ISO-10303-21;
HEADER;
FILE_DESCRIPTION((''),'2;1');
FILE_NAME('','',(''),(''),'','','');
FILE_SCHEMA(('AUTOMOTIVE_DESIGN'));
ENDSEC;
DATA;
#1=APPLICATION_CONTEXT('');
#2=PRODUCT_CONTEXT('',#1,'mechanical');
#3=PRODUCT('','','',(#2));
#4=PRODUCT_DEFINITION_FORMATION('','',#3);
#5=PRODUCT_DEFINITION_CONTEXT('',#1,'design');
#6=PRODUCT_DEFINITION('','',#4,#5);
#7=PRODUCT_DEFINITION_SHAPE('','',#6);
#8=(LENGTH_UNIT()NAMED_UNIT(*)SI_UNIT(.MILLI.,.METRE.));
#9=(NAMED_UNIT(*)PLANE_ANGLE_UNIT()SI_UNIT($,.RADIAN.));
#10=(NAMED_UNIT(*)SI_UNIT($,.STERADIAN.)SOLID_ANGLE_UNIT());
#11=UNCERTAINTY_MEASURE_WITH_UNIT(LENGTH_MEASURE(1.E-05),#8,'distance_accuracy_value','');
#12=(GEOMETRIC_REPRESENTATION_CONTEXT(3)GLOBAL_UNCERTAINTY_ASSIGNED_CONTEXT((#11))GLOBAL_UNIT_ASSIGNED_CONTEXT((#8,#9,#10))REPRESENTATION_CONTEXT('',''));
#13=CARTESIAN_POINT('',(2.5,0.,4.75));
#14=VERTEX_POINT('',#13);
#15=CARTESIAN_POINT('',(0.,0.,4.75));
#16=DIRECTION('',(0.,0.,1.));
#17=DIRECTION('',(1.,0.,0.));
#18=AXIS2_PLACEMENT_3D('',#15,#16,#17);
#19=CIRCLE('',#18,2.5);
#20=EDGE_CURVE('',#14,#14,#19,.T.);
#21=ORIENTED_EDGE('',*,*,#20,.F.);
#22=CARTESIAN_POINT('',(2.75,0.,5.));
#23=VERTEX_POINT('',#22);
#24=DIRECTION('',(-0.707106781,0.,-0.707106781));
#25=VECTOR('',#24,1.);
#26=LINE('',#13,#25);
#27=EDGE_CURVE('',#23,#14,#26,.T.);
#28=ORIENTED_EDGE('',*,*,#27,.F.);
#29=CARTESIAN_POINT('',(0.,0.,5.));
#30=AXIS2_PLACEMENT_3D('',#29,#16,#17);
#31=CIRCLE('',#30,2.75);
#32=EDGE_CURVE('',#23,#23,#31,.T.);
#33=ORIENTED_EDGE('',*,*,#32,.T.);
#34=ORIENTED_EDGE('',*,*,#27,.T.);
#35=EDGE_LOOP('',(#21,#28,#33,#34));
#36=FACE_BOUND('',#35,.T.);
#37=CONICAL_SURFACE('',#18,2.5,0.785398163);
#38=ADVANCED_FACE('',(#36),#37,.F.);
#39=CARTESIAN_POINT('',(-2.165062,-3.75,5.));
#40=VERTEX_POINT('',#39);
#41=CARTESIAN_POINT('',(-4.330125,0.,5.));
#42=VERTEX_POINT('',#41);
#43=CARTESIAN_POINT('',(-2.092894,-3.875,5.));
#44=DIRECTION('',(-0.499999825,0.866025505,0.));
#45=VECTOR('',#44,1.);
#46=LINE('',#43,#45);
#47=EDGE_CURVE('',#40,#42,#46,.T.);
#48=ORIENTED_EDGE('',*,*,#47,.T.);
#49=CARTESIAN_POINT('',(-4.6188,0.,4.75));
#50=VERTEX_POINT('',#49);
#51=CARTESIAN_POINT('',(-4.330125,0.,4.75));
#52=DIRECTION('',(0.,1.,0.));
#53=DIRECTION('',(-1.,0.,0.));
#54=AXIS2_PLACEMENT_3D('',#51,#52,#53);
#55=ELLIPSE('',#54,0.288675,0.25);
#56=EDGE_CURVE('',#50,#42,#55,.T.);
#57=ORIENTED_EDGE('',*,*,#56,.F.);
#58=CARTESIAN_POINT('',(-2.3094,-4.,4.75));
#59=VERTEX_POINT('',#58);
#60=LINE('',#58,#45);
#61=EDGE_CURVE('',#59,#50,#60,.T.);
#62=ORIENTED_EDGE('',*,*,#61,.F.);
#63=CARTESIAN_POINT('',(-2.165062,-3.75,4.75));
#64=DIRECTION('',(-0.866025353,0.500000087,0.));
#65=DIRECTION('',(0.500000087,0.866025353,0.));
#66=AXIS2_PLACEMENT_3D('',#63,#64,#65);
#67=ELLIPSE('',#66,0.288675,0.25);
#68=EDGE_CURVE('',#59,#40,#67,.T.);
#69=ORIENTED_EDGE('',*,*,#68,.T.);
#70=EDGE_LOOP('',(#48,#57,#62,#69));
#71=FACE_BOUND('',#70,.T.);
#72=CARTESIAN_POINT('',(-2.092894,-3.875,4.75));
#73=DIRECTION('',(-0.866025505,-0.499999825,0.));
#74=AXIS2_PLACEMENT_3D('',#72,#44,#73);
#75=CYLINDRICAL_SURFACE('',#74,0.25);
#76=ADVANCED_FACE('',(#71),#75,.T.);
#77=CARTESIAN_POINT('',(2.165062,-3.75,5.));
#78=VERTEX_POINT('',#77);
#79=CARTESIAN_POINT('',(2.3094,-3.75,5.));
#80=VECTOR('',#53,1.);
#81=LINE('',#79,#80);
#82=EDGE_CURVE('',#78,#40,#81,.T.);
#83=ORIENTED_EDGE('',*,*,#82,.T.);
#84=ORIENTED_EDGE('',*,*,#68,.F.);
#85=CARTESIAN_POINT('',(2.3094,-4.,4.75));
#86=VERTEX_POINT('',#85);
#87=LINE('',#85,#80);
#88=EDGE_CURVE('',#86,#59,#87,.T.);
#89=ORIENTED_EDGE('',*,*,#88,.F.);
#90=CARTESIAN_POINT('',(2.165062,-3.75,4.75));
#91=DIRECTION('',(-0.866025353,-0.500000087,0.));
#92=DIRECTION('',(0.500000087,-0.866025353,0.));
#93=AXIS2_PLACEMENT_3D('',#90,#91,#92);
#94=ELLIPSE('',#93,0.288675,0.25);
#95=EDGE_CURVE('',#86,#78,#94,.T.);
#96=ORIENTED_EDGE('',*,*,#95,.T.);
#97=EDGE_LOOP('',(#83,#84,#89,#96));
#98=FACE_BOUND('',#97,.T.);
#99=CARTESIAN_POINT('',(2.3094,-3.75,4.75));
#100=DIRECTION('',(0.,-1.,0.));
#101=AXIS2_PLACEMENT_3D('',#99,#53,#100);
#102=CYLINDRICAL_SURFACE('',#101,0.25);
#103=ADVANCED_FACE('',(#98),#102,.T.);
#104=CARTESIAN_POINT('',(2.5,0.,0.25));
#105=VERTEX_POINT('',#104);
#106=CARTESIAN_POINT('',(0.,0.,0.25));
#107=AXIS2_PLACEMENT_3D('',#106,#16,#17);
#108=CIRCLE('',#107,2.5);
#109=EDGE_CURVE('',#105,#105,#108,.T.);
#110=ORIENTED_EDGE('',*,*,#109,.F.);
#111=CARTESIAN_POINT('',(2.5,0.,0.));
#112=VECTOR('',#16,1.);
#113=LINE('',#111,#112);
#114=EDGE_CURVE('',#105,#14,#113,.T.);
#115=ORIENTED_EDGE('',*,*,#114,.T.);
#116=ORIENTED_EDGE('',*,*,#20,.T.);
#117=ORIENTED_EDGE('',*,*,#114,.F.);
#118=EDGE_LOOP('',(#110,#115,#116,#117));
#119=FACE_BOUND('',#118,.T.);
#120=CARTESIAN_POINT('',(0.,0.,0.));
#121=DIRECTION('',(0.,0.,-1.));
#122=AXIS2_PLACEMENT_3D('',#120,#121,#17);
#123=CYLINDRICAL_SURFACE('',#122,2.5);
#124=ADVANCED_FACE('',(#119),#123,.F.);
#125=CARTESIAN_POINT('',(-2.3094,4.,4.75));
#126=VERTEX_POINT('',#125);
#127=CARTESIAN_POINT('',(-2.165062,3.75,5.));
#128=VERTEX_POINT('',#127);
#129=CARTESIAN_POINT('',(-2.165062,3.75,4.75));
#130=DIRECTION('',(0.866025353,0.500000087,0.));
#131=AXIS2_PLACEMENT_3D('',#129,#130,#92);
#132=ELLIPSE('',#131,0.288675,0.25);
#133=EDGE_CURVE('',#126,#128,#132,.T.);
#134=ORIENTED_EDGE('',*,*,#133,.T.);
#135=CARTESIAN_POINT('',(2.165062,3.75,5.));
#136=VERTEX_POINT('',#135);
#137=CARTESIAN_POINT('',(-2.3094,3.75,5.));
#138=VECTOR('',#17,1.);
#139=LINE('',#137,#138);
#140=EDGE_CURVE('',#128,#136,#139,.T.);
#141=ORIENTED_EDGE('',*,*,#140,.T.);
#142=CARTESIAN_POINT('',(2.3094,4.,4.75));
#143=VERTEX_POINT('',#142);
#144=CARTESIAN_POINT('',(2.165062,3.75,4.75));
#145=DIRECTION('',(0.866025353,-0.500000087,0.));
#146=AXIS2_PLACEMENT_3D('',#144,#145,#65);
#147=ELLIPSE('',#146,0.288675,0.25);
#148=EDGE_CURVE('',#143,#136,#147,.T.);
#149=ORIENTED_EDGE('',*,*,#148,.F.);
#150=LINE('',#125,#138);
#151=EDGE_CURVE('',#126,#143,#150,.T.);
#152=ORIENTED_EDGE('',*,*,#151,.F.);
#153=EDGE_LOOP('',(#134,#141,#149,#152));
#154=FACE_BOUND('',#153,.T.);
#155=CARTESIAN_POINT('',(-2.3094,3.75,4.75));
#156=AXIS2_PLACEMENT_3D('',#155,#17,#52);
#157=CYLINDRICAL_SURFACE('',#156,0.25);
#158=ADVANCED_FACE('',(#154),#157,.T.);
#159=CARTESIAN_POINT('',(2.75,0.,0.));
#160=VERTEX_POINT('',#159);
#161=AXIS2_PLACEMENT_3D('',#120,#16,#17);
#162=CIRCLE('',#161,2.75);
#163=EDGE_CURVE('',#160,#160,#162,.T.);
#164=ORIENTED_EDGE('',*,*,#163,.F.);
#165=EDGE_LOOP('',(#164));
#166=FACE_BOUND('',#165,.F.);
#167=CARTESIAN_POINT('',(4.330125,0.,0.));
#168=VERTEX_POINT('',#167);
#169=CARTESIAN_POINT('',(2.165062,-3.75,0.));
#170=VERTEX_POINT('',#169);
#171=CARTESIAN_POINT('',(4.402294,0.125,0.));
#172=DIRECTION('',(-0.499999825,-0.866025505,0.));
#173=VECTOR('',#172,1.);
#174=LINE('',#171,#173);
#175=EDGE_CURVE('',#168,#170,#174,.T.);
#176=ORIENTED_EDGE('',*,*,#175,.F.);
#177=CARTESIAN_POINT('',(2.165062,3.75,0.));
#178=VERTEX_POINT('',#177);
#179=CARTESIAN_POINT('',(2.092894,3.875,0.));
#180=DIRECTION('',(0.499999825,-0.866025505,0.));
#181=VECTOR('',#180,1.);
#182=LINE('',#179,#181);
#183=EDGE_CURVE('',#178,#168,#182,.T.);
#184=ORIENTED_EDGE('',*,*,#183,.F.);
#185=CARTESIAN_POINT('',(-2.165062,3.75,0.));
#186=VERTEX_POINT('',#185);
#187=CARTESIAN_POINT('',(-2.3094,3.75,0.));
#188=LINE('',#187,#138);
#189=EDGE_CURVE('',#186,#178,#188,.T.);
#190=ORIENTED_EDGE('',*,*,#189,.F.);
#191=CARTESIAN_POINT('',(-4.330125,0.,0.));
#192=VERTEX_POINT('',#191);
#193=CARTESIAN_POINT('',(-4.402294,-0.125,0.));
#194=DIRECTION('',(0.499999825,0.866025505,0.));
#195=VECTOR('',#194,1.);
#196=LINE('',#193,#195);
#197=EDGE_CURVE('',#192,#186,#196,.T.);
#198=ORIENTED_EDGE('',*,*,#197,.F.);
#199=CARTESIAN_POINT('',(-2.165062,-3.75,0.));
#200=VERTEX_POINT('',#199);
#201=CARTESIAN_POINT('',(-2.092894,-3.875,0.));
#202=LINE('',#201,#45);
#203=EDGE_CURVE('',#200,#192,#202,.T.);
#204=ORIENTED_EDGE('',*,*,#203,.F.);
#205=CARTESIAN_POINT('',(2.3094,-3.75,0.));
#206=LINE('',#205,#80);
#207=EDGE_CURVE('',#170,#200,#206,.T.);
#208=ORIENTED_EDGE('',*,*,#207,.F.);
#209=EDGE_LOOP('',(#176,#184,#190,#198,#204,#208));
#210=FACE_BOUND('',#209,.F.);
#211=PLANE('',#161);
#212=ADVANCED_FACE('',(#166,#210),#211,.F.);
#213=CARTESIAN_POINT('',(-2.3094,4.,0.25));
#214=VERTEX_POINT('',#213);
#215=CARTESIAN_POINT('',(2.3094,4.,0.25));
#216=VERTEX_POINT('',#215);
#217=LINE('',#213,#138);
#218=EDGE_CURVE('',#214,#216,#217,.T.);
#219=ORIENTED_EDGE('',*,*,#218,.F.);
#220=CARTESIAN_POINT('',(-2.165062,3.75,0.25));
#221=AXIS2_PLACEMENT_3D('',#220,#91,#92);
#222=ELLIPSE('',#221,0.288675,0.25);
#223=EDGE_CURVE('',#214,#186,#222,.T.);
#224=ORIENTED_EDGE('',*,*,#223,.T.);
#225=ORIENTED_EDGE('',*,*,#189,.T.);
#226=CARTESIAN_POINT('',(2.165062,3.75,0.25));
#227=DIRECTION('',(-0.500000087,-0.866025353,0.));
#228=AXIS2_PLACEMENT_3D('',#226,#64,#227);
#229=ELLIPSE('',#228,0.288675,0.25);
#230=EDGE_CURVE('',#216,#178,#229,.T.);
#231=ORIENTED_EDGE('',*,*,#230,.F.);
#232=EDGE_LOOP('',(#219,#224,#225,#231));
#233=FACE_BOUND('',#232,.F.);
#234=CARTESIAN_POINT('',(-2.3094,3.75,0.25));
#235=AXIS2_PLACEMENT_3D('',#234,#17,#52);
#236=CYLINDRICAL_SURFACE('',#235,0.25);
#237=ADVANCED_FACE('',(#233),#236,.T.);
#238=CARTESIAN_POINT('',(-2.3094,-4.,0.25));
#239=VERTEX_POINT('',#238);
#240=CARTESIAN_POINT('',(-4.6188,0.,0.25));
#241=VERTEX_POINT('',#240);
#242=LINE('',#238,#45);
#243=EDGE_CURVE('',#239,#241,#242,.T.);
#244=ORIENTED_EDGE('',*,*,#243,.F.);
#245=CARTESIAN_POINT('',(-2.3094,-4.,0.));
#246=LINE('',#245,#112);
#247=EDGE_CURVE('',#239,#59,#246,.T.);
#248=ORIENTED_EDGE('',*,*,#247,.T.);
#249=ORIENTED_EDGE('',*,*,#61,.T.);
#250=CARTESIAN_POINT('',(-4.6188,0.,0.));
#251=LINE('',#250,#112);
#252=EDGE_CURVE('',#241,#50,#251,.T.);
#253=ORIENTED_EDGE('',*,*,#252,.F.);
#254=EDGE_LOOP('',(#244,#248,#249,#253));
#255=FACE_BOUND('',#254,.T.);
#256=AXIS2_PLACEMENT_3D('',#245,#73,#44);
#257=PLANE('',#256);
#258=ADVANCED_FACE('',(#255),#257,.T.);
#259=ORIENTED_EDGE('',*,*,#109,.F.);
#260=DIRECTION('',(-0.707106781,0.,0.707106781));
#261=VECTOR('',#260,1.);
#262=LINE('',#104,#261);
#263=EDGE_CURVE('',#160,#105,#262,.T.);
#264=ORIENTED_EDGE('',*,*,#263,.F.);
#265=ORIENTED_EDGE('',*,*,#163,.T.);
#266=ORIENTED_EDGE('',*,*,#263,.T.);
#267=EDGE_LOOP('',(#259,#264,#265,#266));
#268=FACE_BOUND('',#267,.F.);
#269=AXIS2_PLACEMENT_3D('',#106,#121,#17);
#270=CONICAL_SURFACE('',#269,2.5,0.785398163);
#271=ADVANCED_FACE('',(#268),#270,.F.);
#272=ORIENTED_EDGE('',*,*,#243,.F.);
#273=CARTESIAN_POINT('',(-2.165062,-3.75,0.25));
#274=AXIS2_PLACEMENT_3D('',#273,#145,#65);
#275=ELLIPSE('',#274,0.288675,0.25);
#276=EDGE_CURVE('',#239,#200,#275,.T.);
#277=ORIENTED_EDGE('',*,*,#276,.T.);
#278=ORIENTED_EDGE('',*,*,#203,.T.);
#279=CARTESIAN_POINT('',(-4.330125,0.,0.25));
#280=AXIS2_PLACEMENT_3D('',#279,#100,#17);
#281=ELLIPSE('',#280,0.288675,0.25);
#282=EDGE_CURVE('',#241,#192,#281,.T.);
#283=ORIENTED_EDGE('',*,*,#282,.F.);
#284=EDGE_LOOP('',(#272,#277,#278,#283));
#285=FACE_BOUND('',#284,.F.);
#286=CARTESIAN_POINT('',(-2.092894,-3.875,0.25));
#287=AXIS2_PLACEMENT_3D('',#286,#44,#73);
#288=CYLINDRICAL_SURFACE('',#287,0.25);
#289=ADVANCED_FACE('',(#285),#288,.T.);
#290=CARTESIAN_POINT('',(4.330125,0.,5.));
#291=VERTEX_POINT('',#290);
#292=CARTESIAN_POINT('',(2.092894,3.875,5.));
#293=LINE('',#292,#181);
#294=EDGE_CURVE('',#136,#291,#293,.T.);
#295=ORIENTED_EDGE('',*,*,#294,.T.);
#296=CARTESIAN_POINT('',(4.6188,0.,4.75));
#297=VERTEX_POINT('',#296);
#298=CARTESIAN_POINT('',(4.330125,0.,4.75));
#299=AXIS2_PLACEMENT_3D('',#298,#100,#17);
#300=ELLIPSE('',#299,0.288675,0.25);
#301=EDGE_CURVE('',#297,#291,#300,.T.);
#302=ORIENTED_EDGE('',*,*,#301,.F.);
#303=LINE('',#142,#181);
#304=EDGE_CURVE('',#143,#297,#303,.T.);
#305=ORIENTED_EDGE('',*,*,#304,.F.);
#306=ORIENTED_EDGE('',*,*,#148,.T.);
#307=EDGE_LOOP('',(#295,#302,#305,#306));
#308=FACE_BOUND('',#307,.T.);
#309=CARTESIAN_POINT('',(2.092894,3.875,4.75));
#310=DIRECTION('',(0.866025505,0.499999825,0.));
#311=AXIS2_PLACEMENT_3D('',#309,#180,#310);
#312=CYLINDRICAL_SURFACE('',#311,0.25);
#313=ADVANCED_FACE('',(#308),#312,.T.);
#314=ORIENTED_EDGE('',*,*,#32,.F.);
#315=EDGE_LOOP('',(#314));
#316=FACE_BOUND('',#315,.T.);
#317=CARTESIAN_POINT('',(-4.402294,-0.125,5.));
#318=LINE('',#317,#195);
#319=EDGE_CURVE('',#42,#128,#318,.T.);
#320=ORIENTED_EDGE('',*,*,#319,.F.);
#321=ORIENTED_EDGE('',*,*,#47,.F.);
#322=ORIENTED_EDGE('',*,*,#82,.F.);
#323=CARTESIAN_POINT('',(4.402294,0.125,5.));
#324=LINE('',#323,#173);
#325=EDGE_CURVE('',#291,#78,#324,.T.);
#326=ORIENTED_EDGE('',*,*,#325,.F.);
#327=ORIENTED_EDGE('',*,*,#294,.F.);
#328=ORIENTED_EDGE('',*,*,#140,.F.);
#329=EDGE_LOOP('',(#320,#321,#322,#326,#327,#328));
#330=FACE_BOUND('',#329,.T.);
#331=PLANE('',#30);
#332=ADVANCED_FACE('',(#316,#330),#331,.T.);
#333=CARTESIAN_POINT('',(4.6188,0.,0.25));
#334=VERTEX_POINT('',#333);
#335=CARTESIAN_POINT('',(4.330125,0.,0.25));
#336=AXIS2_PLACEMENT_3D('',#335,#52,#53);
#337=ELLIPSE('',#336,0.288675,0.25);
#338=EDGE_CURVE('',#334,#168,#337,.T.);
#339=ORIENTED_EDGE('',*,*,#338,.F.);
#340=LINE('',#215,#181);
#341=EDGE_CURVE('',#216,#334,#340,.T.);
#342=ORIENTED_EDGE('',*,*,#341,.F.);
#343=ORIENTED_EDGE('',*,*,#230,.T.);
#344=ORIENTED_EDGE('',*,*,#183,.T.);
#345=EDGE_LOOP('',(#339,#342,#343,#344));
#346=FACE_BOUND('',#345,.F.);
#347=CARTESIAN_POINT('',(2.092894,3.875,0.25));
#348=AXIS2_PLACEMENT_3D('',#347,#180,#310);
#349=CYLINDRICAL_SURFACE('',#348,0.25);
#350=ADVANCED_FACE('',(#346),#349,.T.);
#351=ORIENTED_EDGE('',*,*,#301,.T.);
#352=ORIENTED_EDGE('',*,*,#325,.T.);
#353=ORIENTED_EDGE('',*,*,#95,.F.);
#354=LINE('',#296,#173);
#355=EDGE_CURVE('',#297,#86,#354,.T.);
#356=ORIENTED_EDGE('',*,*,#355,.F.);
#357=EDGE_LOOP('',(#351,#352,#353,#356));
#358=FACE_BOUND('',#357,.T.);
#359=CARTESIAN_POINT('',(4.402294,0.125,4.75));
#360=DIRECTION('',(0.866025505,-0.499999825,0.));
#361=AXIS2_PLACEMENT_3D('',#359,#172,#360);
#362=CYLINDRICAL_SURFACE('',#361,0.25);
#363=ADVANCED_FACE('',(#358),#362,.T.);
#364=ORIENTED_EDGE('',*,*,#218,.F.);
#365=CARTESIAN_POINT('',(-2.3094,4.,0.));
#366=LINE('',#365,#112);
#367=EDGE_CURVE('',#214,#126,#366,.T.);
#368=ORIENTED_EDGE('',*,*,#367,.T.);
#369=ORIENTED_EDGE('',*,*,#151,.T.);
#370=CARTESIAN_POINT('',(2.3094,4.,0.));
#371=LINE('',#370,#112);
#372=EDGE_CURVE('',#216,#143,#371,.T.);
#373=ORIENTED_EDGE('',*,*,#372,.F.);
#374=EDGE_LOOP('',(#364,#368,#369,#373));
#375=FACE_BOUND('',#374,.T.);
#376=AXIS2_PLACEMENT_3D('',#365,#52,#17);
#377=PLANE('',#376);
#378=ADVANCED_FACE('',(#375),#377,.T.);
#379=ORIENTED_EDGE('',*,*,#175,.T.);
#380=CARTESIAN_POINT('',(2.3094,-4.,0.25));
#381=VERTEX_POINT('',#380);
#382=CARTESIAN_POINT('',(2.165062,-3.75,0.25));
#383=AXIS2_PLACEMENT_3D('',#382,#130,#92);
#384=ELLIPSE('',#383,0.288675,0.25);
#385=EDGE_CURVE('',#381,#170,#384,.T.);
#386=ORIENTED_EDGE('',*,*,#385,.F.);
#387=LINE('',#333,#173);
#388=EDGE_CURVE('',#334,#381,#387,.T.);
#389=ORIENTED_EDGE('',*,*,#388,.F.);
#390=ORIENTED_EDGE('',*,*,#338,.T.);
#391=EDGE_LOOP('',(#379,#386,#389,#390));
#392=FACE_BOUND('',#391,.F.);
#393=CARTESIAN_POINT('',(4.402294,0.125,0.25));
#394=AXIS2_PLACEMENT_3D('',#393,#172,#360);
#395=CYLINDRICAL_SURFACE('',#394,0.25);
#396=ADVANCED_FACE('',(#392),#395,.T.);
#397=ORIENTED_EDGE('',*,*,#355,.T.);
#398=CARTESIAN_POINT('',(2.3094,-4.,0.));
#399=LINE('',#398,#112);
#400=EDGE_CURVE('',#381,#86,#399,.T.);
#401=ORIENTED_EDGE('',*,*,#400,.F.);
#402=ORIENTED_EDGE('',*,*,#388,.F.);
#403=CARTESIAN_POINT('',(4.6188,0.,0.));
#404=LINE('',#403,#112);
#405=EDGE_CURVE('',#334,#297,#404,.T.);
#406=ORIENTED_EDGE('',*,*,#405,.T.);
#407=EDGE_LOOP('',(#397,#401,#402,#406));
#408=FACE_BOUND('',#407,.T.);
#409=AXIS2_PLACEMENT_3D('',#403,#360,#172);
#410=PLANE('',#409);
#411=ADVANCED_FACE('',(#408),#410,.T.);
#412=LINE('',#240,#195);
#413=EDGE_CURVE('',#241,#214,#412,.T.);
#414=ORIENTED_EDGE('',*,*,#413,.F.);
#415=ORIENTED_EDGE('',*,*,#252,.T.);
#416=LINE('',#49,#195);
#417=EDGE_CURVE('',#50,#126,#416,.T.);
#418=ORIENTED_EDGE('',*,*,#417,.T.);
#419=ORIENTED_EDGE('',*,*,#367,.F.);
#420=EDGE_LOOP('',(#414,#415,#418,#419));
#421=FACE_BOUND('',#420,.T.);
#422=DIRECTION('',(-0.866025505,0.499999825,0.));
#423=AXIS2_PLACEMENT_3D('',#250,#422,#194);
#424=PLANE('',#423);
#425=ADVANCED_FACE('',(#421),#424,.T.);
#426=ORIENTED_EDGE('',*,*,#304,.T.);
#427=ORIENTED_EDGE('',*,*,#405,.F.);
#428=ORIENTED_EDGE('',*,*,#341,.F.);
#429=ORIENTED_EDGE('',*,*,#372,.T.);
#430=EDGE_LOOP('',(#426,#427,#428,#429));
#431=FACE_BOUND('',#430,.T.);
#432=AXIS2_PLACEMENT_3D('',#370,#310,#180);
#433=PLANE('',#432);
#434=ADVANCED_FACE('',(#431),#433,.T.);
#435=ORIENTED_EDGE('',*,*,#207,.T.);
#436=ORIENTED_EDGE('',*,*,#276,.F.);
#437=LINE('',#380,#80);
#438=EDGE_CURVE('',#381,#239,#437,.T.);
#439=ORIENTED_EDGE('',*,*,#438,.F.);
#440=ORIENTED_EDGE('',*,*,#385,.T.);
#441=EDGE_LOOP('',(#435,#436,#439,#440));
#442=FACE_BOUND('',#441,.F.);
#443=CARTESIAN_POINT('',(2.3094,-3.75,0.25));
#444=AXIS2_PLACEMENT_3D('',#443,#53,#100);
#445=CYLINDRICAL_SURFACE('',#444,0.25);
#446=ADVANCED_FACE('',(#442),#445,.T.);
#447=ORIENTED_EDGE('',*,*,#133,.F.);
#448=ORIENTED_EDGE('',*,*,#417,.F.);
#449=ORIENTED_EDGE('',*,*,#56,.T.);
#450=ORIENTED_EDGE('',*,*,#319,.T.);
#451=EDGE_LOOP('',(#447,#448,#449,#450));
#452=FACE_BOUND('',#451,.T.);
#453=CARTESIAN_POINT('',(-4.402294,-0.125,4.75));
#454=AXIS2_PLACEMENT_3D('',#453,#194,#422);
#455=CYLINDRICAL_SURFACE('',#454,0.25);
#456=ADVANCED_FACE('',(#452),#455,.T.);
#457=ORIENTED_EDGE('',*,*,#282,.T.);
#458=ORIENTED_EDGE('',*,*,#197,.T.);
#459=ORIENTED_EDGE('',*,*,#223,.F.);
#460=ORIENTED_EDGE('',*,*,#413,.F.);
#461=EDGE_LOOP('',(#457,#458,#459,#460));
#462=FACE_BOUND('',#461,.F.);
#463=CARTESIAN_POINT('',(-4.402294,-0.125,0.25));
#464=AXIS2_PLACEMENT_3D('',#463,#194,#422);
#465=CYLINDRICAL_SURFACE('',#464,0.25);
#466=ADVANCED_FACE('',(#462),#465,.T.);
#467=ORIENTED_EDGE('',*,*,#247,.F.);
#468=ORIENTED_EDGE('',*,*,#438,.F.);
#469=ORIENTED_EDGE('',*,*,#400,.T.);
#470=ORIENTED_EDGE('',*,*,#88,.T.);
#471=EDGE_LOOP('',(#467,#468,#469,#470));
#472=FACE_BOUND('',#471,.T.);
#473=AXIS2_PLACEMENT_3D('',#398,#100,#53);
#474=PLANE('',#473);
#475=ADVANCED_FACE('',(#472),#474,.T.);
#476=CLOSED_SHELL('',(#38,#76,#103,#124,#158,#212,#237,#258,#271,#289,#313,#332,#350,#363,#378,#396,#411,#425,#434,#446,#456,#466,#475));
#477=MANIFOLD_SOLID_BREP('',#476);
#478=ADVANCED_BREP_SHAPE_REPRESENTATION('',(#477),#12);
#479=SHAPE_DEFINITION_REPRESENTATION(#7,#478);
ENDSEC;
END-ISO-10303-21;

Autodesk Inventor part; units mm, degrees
ref_plane "YZ Plane" through (0, 0, 0) normal (1, 0, 0) x (0, 1, 0)
ref_plane "XZ Plane" through (0, 0, 0) normal (0, 1, 0) x (-1, 0, 0)
ref_plane "XY Plane" through (0, 0, 0) normal (0, 0, 1) x (1, 0, 0)
sketch "草图1" plane through (0, 0, 0) normal (0, 0, 1) x (1, 0, 0)
  circle A0 centre (0, 0) radius 2.5
  line L0 (2.3094, -4) -> (-2.3094, -4)
  line L1 (-2.3094, -4) -> (-4.6188, 0)
  line L2 (-4.6188, 0) -> (-2.3094, 4)
  line L3 (-2.3094, 4) -> (2.3094, 4)
  line L4 (2.3094, 4) -> (4.6188, 0)
  line L5 (4.6188, 0) -> (2.3094, -4)
  line L6 (0, 0) -> (0, 1.5398)
  point P0 (0, 4)
  dimension "d0" = 5
  dimension "d1" = 1.5398
  dimension "d2" = 8
extrude "拉伸1" add sketch "草图1" along normal blind 5
thread "螺纹1" size "M5x0.8" class "6H" standard "ANSI Metric M Profile" full length
fillet "圆角1" radius 0.25 12 edges at (0, 4, 5) (3.4641, 2, 5) (3.4641, -2, 5) (-3.4641, -2, 5) (-3.4641, 2, 5) (0, -4, 5) (3.4641, -2, 0) (3.4641, 2, 0) (0, 4, 0) (-3.4641, 2, 0) (-3.4641, -2, 0) (0, -4, 0)
chamfer "倒角1" distance 0.25 angle 45 2 edges at (-2.5, 0, 5) (-2.5, 0, 0)
properties part number "砂轮架带动曲柄轴盖螺帽"
